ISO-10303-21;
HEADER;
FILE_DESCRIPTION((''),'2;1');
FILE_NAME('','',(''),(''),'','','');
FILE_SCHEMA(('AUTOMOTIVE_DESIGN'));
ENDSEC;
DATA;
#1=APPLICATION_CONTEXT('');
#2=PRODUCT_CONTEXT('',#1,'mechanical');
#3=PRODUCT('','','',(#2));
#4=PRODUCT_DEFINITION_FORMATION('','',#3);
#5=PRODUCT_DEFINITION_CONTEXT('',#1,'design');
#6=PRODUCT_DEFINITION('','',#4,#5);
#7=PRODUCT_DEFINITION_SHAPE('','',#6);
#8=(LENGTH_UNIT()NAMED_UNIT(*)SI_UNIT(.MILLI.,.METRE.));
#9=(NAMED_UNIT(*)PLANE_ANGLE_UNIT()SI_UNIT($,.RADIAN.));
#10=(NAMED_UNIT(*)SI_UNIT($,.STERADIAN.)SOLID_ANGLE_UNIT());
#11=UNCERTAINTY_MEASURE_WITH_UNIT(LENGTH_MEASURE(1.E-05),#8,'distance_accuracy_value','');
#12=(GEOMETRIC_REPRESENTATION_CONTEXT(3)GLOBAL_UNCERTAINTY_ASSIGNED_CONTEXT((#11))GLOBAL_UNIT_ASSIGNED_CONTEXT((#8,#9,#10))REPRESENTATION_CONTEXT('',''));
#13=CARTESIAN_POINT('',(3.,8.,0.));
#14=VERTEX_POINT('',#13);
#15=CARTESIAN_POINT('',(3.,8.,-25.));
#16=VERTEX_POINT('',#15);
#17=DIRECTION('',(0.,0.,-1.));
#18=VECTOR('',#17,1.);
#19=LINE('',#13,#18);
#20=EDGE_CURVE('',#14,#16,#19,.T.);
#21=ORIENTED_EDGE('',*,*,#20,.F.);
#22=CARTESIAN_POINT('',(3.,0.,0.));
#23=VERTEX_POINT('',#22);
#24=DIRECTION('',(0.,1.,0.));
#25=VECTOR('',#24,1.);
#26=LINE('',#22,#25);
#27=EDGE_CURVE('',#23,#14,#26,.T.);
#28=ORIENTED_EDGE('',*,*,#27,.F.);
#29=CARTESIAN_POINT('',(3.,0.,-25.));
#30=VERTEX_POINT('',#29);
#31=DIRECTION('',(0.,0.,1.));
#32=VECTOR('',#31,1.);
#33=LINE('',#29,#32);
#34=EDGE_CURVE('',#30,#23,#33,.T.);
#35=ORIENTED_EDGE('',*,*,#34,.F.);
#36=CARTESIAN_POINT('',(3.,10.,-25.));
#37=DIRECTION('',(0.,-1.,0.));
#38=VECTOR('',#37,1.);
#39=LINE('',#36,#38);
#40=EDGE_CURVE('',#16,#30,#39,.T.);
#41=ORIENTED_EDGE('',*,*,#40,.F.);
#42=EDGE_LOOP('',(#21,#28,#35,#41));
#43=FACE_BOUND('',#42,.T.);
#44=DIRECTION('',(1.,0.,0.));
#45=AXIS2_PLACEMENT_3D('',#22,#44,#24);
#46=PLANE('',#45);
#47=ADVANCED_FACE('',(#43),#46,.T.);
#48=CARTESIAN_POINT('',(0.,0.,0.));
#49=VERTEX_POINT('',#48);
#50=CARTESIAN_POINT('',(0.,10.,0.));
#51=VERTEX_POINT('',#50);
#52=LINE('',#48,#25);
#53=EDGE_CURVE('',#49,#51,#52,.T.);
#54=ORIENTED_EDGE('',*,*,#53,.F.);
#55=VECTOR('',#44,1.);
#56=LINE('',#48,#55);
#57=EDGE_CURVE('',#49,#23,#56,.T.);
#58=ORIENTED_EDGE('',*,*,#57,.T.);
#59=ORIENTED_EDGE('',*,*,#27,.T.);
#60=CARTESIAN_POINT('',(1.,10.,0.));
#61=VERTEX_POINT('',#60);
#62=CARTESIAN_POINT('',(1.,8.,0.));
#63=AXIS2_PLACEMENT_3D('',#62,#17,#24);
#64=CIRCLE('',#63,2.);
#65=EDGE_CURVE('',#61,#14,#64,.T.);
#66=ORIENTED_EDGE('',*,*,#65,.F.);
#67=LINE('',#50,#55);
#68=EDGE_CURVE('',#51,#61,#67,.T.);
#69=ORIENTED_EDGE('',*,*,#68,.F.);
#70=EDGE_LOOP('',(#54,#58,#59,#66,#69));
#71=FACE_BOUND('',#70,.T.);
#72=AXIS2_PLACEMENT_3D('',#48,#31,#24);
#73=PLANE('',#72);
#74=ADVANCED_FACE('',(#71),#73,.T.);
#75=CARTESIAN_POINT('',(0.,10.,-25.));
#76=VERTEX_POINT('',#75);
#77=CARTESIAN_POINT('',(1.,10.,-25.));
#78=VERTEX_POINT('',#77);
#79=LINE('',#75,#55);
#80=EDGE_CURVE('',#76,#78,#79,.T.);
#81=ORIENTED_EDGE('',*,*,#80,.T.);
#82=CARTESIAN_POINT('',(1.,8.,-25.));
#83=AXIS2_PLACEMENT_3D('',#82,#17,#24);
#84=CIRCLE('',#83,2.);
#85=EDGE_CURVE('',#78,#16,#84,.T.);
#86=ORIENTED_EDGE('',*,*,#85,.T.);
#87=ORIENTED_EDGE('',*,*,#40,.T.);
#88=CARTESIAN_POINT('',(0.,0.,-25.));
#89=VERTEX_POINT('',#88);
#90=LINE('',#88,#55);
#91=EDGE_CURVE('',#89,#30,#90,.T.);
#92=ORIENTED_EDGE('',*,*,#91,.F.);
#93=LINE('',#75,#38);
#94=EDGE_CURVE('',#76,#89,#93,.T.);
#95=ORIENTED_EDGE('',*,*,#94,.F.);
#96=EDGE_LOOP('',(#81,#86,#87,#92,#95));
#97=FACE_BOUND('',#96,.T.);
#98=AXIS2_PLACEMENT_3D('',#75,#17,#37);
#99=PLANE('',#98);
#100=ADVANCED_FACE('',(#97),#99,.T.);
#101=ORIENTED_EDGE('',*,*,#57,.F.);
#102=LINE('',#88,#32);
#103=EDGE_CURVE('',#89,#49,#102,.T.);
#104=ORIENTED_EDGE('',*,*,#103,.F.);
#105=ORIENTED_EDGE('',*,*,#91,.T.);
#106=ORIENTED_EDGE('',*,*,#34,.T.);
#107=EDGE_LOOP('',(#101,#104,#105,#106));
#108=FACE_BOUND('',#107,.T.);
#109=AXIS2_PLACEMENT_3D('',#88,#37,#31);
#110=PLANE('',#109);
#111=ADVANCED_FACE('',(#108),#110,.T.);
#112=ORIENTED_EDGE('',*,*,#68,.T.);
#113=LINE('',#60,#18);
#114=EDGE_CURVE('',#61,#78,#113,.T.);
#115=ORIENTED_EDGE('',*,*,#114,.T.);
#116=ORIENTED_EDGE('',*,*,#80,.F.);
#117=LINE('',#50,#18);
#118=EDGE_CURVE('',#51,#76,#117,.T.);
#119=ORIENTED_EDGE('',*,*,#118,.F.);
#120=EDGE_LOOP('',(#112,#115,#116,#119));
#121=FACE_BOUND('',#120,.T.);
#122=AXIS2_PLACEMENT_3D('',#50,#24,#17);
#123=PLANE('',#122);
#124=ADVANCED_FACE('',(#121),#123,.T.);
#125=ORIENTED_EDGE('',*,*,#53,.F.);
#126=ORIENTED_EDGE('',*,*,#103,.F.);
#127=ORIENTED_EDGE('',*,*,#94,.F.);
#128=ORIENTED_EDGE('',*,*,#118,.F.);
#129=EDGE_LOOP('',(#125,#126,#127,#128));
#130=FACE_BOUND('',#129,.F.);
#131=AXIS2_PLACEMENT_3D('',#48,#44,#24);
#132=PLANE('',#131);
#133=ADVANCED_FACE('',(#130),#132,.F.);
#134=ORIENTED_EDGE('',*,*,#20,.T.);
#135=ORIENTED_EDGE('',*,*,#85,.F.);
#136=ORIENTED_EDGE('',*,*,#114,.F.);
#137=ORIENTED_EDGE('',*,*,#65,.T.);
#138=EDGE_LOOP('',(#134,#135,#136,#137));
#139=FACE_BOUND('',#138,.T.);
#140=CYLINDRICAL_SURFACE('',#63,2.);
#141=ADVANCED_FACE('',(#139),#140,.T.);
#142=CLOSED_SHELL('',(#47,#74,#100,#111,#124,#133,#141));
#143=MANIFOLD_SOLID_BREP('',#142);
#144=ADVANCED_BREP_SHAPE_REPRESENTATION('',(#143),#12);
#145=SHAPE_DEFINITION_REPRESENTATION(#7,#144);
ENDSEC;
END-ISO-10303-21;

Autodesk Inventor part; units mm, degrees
ref_plane "YZ Plane" through (0, 0, 0) normal (1, 0, 0) x (0, 1, 0)
ref_plane "XZ Plane" through (0, 0, 0) normal (0, 1, 0) x (-1, 0, 0)
ref_plane "XY Plane" through (0, 0, 0) normal (0, 0, 1) x (1, 0, 0)
sketch "Sketch1" plane through (0, 0, 0) normal (1, 0, 0) x (0, 1, 0)
  line L0 (0, 0) -> (10, 0)
  line L1 (10, 0) -> (10, -25)
  line L2 (10, -25) -> (0, -25)
  line L3 (0, -25) -> (0, 0)
  dimension "d0" = 10
  dimension "d1" = 25
extrude "Extrusion1" add sketch "Sketch1" along normal blind 3
fillet "Fillet1" radius 2 1 edges at (3, 10, -12.5)
properties part number "breadboard-leftwall"
